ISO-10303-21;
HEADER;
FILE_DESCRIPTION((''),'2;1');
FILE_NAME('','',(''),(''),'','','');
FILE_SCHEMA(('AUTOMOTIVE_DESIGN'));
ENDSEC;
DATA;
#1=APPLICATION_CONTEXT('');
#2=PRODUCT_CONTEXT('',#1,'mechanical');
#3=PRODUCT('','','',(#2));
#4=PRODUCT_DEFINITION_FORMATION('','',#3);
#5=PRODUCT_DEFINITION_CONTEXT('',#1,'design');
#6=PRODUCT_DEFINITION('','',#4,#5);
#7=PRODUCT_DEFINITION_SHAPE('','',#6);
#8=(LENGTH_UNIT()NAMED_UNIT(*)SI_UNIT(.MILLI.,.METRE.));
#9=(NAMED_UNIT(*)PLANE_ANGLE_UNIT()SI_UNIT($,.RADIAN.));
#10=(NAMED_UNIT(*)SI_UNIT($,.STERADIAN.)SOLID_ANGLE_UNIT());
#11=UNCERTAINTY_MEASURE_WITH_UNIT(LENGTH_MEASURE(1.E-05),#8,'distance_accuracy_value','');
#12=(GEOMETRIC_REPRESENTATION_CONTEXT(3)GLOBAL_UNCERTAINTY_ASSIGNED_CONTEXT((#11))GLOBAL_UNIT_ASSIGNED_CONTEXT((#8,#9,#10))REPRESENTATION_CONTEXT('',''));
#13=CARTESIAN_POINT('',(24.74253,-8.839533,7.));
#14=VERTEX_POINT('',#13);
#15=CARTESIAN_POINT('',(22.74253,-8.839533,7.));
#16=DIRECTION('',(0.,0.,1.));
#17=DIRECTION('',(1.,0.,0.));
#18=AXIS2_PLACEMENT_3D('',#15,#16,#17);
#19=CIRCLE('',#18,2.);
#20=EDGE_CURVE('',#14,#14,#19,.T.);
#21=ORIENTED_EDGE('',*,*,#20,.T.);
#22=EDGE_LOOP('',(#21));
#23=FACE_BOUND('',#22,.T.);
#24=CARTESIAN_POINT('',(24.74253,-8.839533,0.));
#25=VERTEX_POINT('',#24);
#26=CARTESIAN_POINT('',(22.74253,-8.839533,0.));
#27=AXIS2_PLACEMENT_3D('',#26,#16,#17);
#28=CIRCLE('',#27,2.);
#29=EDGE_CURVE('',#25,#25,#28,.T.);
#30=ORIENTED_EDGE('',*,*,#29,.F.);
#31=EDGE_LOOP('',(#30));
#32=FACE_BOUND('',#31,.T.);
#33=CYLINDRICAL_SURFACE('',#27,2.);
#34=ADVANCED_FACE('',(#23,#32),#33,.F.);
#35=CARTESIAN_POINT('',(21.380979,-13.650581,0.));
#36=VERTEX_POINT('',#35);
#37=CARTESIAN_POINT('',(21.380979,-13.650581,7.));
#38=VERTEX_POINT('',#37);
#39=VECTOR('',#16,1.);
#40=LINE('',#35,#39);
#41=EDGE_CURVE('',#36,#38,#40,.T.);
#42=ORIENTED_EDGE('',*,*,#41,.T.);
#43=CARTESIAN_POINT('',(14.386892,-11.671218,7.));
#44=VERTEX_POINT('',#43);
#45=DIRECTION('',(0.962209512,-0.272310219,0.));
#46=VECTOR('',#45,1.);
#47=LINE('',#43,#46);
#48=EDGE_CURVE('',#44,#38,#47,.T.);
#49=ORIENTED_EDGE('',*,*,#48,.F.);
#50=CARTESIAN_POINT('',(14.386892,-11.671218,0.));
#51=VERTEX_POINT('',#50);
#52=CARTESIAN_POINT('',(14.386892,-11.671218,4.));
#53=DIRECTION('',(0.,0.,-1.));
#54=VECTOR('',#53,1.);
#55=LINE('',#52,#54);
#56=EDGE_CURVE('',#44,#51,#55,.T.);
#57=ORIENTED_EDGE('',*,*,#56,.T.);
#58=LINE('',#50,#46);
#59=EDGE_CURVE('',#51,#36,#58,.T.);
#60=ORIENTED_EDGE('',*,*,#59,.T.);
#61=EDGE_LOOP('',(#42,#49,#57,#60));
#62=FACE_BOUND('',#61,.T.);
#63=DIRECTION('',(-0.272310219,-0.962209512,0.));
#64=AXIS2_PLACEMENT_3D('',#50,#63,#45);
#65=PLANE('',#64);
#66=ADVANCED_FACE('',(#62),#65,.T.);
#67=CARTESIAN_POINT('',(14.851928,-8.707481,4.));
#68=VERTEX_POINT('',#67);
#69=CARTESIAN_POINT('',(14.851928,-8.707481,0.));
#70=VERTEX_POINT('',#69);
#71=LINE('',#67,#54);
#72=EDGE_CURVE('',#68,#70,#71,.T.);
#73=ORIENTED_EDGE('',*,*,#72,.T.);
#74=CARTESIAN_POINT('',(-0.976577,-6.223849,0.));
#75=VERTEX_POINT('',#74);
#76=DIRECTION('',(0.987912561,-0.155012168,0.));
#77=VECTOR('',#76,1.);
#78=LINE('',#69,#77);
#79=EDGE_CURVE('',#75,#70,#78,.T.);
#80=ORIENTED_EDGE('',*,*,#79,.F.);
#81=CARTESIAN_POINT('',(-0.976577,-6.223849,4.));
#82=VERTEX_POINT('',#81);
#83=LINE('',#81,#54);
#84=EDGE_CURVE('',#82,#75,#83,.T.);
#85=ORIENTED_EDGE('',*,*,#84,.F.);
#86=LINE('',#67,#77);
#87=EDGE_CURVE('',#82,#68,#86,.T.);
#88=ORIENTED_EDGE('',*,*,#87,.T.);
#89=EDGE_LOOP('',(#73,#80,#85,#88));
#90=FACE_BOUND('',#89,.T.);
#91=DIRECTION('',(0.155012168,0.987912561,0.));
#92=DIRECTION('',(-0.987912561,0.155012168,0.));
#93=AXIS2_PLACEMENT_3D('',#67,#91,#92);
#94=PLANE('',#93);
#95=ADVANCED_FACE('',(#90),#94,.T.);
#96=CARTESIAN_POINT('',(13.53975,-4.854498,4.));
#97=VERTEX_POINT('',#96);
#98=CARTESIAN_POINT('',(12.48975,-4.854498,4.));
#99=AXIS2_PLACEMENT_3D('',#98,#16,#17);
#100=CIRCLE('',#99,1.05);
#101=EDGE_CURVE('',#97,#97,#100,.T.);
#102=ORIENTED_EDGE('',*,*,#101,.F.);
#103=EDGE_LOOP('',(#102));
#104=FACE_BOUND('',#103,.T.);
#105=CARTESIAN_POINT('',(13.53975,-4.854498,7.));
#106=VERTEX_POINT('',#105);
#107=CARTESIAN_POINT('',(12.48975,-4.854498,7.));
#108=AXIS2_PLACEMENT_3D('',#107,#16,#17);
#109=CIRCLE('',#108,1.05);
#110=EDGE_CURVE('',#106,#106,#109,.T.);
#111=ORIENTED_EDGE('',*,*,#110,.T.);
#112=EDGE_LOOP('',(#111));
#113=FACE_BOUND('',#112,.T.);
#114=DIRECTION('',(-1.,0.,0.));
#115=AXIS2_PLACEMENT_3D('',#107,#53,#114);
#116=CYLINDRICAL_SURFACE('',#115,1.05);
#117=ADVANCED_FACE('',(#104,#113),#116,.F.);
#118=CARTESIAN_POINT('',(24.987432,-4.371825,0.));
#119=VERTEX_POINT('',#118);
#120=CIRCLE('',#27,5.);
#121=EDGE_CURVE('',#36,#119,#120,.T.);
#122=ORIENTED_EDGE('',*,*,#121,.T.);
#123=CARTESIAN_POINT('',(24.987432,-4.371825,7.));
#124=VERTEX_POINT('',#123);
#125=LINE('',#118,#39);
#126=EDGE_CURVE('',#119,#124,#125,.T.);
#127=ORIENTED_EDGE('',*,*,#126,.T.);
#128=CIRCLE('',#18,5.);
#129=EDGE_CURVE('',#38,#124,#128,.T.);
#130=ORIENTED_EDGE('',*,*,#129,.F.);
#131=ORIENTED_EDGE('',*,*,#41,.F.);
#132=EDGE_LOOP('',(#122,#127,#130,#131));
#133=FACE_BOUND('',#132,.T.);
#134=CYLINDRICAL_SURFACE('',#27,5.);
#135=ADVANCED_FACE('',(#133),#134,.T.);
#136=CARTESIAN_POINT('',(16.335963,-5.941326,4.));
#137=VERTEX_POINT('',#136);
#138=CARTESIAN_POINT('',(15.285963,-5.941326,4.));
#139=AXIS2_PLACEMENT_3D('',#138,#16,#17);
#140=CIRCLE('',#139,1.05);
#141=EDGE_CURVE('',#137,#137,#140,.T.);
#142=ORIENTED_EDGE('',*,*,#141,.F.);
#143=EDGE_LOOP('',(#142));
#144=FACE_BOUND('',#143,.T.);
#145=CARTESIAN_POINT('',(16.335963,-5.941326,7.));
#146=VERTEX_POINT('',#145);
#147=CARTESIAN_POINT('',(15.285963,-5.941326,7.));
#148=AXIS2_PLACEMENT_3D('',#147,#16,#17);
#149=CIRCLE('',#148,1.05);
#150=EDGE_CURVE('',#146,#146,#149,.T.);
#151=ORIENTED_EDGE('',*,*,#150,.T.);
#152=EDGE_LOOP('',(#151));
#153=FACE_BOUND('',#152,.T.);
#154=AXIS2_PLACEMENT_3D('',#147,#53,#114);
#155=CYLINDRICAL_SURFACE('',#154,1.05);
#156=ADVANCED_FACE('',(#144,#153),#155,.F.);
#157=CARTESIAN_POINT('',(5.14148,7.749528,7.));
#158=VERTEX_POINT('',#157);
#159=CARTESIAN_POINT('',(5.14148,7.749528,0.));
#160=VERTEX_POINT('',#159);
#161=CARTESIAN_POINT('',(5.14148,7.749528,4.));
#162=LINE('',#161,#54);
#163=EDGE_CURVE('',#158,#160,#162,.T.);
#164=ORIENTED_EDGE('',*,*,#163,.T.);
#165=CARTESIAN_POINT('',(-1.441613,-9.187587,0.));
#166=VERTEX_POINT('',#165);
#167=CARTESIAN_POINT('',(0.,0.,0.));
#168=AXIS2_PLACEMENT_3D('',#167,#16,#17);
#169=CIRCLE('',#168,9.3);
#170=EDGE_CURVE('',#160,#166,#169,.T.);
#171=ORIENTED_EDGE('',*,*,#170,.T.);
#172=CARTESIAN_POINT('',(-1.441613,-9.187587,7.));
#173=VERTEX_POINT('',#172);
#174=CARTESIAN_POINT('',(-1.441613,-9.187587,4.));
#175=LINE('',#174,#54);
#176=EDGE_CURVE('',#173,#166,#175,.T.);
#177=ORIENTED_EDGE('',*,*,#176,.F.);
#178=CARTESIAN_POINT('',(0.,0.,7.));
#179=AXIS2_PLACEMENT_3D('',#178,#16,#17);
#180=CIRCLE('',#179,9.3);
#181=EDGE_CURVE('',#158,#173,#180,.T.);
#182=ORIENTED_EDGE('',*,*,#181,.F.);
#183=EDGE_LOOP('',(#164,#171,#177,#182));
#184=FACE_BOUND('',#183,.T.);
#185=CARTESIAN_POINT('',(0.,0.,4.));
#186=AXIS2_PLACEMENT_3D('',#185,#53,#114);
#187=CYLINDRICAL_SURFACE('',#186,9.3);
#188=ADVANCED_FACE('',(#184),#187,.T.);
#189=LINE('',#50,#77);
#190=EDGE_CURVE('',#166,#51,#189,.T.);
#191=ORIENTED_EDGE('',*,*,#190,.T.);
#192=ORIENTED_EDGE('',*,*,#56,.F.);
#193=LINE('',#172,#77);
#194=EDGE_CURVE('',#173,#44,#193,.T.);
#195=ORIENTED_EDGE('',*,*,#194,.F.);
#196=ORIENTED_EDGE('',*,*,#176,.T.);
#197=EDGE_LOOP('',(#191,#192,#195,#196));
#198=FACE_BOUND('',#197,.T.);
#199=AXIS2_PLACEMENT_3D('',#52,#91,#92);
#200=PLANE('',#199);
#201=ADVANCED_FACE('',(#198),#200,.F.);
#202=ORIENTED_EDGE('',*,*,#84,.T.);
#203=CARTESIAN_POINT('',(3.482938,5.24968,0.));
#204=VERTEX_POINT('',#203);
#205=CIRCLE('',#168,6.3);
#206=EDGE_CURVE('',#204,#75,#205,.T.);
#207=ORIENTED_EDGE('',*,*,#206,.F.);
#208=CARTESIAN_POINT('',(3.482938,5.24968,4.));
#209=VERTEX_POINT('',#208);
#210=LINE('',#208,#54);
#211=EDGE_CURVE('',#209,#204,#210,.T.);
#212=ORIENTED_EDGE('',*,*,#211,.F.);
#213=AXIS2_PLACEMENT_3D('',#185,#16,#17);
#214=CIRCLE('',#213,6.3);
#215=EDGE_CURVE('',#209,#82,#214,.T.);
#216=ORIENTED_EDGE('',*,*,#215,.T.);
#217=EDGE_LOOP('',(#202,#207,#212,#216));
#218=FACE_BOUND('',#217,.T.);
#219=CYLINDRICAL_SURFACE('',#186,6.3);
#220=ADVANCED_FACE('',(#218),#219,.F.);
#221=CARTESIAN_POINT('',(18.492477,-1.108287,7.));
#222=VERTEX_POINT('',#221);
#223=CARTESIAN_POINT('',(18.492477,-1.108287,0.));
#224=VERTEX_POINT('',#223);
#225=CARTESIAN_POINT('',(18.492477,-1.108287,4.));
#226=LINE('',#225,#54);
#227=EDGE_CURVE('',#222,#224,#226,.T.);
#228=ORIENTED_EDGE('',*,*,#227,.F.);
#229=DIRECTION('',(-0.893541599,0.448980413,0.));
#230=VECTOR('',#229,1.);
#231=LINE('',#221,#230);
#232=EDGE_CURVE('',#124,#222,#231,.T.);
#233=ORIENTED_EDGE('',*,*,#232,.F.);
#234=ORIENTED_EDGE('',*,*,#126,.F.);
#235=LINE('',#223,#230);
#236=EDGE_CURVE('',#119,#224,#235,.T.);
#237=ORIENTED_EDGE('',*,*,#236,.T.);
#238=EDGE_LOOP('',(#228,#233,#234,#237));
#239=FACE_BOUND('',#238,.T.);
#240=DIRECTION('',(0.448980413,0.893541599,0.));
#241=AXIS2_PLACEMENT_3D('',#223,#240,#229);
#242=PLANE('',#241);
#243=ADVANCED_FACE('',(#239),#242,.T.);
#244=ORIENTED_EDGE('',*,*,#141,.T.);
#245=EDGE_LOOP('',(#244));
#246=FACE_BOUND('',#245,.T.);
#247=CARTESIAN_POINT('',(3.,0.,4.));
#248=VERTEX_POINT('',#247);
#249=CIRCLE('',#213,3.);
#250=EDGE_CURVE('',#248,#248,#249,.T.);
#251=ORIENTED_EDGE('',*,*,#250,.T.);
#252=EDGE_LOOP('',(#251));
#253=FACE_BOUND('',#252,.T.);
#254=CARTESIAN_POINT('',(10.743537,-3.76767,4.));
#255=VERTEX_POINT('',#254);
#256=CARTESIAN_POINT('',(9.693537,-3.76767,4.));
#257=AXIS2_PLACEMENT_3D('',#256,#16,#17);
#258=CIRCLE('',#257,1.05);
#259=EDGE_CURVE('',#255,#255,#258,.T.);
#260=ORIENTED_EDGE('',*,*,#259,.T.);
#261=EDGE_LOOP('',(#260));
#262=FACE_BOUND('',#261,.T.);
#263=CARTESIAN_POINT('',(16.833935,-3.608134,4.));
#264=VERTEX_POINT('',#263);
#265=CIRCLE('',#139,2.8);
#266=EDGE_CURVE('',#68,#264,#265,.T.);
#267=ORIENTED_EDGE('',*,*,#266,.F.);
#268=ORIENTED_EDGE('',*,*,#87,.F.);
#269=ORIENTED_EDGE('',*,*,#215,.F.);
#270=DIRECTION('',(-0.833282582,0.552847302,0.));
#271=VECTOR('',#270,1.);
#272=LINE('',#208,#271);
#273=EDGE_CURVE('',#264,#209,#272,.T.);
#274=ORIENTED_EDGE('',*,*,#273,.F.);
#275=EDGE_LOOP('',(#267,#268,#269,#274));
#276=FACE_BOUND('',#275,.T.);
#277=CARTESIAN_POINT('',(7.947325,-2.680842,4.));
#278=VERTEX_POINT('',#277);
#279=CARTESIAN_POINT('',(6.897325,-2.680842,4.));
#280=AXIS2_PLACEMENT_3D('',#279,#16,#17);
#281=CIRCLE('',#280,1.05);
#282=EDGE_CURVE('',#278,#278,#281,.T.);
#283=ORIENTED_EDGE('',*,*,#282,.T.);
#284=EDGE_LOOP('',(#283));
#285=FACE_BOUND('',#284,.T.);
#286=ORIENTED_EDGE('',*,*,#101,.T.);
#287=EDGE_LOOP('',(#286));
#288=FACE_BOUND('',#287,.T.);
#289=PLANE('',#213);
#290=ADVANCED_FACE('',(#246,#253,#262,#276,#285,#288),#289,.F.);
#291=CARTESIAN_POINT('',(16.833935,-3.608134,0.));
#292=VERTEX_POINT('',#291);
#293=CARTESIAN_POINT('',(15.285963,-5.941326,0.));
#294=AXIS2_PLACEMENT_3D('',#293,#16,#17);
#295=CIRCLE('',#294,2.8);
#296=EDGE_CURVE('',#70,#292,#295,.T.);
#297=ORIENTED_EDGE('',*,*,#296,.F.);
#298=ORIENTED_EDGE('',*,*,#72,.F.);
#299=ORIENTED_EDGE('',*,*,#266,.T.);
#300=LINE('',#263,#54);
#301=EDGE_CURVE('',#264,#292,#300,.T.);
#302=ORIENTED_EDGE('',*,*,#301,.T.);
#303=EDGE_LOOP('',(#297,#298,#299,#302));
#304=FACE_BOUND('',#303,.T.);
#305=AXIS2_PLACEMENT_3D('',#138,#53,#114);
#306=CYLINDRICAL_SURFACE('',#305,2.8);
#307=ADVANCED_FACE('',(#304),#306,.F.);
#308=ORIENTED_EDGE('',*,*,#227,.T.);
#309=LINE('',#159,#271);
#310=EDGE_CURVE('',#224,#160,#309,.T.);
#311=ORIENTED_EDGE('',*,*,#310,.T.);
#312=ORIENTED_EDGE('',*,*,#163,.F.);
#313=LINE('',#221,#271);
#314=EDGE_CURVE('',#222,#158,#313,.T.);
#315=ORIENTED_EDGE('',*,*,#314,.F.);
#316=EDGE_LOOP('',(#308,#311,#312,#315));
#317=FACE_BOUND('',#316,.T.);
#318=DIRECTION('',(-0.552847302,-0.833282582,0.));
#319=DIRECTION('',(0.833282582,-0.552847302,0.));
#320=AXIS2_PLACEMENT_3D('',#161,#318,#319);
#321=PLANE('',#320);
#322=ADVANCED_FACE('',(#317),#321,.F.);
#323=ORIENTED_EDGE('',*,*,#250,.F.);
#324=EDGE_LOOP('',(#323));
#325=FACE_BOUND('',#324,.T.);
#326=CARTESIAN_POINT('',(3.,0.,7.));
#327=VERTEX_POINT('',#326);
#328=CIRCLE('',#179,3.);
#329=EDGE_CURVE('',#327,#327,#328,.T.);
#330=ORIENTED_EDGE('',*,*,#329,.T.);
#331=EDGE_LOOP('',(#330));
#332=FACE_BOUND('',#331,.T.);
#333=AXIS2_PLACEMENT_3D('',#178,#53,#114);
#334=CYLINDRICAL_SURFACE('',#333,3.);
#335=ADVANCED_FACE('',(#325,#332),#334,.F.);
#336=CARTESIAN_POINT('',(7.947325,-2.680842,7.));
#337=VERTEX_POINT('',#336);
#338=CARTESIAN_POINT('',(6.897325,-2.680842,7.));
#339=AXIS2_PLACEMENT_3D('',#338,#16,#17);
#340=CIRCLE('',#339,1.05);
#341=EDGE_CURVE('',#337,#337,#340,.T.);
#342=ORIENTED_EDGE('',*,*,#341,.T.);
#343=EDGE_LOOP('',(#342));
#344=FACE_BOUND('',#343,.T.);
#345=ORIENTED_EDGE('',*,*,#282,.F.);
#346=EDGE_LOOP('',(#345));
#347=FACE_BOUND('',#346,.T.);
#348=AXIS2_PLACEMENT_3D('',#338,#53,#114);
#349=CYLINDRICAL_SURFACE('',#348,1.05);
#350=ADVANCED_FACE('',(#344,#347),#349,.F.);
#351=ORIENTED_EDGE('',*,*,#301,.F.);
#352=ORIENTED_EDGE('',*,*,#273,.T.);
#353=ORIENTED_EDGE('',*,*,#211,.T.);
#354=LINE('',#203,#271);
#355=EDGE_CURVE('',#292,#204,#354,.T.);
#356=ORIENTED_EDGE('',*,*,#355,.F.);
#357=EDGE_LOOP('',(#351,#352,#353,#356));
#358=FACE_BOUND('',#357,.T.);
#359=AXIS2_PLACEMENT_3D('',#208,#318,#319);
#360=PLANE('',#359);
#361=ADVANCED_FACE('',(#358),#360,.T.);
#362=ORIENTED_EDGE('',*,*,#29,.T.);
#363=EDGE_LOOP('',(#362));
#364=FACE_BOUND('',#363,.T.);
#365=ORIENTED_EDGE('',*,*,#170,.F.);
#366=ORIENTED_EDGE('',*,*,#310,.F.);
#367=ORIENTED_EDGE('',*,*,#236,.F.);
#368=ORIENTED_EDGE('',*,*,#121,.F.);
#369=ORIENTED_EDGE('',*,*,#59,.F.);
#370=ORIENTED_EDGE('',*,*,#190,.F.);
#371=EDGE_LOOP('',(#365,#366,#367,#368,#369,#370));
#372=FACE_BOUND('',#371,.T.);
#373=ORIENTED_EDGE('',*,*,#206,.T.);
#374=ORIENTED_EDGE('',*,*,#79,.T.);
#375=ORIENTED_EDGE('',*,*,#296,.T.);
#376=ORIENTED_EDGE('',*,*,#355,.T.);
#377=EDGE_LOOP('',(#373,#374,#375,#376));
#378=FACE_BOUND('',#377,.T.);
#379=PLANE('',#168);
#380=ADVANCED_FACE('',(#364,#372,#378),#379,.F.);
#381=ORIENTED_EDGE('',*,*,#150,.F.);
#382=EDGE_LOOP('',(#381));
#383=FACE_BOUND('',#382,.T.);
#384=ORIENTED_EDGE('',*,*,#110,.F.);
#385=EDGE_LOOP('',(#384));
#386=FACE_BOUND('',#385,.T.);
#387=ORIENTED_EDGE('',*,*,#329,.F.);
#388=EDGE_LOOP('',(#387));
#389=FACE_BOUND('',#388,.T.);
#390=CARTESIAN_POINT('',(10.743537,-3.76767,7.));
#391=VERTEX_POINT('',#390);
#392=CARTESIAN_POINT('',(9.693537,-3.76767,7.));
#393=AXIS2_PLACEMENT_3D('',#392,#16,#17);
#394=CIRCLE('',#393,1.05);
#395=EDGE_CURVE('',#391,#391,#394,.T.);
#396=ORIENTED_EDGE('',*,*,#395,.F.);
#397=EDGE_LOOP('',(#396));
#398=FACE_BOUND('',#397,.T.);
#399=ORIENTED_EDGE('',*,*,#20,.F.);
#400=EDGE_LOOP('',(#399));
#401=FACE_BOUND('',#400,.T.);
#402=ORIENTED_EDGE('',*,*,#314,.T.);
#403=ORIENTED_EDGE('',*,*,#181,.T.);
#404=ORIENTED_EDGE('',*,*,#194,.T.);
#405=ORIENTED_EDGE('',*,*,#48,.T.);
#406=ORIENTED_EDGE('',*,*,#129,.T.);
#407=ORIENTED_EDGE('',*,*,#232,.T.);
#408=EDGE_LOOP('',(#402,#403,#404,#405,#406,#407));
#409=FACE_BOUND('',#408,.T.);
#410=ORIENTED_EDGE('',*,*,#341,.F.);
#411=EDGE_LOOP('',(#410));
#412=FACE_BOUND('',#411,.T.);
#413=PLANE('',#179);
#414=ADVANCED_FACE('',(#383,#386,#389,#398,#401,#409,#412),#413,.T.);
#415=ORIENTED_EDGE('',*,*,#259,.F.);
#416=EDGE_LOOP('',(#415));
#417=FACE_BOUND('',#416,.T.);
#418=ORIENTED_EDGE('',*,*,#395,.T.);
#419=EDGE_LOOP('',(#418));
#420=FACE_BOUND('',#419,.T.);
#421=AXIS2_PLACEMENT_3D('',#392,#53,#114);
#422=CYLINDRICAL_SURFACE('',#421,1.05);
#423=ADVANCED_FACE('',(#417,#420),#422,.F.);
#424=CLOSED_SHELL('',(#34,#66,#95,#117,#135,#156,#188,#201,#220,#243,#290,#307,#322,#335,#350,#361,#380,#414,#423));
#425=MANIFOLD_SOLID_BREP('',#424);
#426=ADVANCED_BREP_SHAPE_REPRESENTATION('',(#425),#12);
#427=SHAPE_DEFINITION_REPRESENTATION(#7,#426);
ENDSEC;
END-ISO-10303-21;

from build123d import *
from build123d.topology import SkipClean

# Parameters (mm, degrees)
EXTRUDE_1_DEPTH = 4
SKETCH_2_R      = 3
SKETCH_2_R_2    = 1.05
EXTRUDE_2_DEPTH = 3
EXTRUDE_START   = -7
SKETCH_3_R      = 2
EXTRUDE_3_DEPTH = 7


with BuildPart() as part:
    # Эскиз1 → Бобышка-Вытянуть1 (new body)
    with BuildSketch(Plane.XY):
        with BuildLine():
            Line((14.386891947, -11.67121845), (-1.44161316, -9.187586816))
            ThreePointArc((-1.44161316, -9.187586816), (-8.668259234, 3.369166345), (5.141479906, 7.74952801))
            Line((5.141479906, 7.74952801), (18.492476869, -1.108286623))
            ThreePointArc((18.492476869, -1.108286623), (20.691973654, -8.042526113), (14.386891947, -11.67121845))
        make_face()
        with BuildLine():
            Line((3.482938001, 5.249680265), (16.833934964, -3.608134368))
            ThreePointArc((16.833934964, -3.608134368), (17.895760998, -6.95569826), (14.85192845, -8.707480768))
            Line((14.85192845, -8.707480768), (-0.976576656, -6.223849133))
            ThreePointArc((-0.976576656, -6.223849133), (-5.872046578, 2.282338492), (3.482938001, 5.249680265))
        make_face(mode=Mode.SUBTRACT)
    extrude(amount=EXTRUDE_1_DEPTH)

    # Эскиз2 → Бобышка-Вытянуть2 (add)
    with SkipClean():  # the faces are left unmerged after this step: merging them gives an invalid solid
        with BuildSketch(Plane.XY.offset(4)):
            with BuildLine():
                Line((-1.44161316, -9.187586816), (14.386891947, -11.67121845))
                ThreePointArc((14.386891947, -11.67121845), (20.691973654, -8.042526113), (18.492476869, -1.108286623))
                Line((18.492476869, -1.108286623), (5.141479906, 7.74952801))
                ThreePointArc((5.141479906, 7.74952801), (-8.668259234, 3.369166345), (-1.44161316, -9.187586816))
            make_face()
            Circle(SKETCH_2_R, mode=Mode.SUBTRACT)
            with Locations((6.897324552, -2.680842038)):
                Circle(SKETCH_2_R_2, mode=Mode.SUBTRACT)
            with Locations((9.693537208, -3.767669891)):
                Circle(SKETCH_2_R_2, mode=Mode.SUBTRACT)
            with Locations((12.489749864, -4.854497744)):
                Circle(SKETCH_2_R_2, mode=Mode.SUBTRACT)
            with Locations((15.28596252, -5.941325597)):
                Circle(SKETCH_2_R_2, mode=Mode.SUBTRACT)
        extrude(amount=EXTRUDE_2_DEPTH)

    # Эскиз3 → Бобышка-Вытянуть3 (add)
    with SkipClean():  # the faces are left unmerged after this step: merging them gives an invalid solid
        with BuildSketch(Plane.XY.offset(7).offset(EXTRUDE_START)):
            with BuildLine():
                Line((18.492476869, -1.108286623), (24.987431668, -4.371825212))
                ThreePointArc((24.987431668, -4.371825212), (27.402884029, -10.650912961), (21.380978505, -13.650580764))
                Line((21.380978505, -13.650580764), (14.386891947, -11.67121845))
                ThreePointArc((14.386891947, -11.67121845), (20.691973654, -8.042526113), (18.492476869, -1.108286623))
            make_face()
            with Locations((22.742529602, -8.839533206)):
                Circle(SKETCH_3_R, mode=Mode.SUBTRACT)
        extrude(amount=EXTRUDE_3_DEPTH)


solid = part.part
